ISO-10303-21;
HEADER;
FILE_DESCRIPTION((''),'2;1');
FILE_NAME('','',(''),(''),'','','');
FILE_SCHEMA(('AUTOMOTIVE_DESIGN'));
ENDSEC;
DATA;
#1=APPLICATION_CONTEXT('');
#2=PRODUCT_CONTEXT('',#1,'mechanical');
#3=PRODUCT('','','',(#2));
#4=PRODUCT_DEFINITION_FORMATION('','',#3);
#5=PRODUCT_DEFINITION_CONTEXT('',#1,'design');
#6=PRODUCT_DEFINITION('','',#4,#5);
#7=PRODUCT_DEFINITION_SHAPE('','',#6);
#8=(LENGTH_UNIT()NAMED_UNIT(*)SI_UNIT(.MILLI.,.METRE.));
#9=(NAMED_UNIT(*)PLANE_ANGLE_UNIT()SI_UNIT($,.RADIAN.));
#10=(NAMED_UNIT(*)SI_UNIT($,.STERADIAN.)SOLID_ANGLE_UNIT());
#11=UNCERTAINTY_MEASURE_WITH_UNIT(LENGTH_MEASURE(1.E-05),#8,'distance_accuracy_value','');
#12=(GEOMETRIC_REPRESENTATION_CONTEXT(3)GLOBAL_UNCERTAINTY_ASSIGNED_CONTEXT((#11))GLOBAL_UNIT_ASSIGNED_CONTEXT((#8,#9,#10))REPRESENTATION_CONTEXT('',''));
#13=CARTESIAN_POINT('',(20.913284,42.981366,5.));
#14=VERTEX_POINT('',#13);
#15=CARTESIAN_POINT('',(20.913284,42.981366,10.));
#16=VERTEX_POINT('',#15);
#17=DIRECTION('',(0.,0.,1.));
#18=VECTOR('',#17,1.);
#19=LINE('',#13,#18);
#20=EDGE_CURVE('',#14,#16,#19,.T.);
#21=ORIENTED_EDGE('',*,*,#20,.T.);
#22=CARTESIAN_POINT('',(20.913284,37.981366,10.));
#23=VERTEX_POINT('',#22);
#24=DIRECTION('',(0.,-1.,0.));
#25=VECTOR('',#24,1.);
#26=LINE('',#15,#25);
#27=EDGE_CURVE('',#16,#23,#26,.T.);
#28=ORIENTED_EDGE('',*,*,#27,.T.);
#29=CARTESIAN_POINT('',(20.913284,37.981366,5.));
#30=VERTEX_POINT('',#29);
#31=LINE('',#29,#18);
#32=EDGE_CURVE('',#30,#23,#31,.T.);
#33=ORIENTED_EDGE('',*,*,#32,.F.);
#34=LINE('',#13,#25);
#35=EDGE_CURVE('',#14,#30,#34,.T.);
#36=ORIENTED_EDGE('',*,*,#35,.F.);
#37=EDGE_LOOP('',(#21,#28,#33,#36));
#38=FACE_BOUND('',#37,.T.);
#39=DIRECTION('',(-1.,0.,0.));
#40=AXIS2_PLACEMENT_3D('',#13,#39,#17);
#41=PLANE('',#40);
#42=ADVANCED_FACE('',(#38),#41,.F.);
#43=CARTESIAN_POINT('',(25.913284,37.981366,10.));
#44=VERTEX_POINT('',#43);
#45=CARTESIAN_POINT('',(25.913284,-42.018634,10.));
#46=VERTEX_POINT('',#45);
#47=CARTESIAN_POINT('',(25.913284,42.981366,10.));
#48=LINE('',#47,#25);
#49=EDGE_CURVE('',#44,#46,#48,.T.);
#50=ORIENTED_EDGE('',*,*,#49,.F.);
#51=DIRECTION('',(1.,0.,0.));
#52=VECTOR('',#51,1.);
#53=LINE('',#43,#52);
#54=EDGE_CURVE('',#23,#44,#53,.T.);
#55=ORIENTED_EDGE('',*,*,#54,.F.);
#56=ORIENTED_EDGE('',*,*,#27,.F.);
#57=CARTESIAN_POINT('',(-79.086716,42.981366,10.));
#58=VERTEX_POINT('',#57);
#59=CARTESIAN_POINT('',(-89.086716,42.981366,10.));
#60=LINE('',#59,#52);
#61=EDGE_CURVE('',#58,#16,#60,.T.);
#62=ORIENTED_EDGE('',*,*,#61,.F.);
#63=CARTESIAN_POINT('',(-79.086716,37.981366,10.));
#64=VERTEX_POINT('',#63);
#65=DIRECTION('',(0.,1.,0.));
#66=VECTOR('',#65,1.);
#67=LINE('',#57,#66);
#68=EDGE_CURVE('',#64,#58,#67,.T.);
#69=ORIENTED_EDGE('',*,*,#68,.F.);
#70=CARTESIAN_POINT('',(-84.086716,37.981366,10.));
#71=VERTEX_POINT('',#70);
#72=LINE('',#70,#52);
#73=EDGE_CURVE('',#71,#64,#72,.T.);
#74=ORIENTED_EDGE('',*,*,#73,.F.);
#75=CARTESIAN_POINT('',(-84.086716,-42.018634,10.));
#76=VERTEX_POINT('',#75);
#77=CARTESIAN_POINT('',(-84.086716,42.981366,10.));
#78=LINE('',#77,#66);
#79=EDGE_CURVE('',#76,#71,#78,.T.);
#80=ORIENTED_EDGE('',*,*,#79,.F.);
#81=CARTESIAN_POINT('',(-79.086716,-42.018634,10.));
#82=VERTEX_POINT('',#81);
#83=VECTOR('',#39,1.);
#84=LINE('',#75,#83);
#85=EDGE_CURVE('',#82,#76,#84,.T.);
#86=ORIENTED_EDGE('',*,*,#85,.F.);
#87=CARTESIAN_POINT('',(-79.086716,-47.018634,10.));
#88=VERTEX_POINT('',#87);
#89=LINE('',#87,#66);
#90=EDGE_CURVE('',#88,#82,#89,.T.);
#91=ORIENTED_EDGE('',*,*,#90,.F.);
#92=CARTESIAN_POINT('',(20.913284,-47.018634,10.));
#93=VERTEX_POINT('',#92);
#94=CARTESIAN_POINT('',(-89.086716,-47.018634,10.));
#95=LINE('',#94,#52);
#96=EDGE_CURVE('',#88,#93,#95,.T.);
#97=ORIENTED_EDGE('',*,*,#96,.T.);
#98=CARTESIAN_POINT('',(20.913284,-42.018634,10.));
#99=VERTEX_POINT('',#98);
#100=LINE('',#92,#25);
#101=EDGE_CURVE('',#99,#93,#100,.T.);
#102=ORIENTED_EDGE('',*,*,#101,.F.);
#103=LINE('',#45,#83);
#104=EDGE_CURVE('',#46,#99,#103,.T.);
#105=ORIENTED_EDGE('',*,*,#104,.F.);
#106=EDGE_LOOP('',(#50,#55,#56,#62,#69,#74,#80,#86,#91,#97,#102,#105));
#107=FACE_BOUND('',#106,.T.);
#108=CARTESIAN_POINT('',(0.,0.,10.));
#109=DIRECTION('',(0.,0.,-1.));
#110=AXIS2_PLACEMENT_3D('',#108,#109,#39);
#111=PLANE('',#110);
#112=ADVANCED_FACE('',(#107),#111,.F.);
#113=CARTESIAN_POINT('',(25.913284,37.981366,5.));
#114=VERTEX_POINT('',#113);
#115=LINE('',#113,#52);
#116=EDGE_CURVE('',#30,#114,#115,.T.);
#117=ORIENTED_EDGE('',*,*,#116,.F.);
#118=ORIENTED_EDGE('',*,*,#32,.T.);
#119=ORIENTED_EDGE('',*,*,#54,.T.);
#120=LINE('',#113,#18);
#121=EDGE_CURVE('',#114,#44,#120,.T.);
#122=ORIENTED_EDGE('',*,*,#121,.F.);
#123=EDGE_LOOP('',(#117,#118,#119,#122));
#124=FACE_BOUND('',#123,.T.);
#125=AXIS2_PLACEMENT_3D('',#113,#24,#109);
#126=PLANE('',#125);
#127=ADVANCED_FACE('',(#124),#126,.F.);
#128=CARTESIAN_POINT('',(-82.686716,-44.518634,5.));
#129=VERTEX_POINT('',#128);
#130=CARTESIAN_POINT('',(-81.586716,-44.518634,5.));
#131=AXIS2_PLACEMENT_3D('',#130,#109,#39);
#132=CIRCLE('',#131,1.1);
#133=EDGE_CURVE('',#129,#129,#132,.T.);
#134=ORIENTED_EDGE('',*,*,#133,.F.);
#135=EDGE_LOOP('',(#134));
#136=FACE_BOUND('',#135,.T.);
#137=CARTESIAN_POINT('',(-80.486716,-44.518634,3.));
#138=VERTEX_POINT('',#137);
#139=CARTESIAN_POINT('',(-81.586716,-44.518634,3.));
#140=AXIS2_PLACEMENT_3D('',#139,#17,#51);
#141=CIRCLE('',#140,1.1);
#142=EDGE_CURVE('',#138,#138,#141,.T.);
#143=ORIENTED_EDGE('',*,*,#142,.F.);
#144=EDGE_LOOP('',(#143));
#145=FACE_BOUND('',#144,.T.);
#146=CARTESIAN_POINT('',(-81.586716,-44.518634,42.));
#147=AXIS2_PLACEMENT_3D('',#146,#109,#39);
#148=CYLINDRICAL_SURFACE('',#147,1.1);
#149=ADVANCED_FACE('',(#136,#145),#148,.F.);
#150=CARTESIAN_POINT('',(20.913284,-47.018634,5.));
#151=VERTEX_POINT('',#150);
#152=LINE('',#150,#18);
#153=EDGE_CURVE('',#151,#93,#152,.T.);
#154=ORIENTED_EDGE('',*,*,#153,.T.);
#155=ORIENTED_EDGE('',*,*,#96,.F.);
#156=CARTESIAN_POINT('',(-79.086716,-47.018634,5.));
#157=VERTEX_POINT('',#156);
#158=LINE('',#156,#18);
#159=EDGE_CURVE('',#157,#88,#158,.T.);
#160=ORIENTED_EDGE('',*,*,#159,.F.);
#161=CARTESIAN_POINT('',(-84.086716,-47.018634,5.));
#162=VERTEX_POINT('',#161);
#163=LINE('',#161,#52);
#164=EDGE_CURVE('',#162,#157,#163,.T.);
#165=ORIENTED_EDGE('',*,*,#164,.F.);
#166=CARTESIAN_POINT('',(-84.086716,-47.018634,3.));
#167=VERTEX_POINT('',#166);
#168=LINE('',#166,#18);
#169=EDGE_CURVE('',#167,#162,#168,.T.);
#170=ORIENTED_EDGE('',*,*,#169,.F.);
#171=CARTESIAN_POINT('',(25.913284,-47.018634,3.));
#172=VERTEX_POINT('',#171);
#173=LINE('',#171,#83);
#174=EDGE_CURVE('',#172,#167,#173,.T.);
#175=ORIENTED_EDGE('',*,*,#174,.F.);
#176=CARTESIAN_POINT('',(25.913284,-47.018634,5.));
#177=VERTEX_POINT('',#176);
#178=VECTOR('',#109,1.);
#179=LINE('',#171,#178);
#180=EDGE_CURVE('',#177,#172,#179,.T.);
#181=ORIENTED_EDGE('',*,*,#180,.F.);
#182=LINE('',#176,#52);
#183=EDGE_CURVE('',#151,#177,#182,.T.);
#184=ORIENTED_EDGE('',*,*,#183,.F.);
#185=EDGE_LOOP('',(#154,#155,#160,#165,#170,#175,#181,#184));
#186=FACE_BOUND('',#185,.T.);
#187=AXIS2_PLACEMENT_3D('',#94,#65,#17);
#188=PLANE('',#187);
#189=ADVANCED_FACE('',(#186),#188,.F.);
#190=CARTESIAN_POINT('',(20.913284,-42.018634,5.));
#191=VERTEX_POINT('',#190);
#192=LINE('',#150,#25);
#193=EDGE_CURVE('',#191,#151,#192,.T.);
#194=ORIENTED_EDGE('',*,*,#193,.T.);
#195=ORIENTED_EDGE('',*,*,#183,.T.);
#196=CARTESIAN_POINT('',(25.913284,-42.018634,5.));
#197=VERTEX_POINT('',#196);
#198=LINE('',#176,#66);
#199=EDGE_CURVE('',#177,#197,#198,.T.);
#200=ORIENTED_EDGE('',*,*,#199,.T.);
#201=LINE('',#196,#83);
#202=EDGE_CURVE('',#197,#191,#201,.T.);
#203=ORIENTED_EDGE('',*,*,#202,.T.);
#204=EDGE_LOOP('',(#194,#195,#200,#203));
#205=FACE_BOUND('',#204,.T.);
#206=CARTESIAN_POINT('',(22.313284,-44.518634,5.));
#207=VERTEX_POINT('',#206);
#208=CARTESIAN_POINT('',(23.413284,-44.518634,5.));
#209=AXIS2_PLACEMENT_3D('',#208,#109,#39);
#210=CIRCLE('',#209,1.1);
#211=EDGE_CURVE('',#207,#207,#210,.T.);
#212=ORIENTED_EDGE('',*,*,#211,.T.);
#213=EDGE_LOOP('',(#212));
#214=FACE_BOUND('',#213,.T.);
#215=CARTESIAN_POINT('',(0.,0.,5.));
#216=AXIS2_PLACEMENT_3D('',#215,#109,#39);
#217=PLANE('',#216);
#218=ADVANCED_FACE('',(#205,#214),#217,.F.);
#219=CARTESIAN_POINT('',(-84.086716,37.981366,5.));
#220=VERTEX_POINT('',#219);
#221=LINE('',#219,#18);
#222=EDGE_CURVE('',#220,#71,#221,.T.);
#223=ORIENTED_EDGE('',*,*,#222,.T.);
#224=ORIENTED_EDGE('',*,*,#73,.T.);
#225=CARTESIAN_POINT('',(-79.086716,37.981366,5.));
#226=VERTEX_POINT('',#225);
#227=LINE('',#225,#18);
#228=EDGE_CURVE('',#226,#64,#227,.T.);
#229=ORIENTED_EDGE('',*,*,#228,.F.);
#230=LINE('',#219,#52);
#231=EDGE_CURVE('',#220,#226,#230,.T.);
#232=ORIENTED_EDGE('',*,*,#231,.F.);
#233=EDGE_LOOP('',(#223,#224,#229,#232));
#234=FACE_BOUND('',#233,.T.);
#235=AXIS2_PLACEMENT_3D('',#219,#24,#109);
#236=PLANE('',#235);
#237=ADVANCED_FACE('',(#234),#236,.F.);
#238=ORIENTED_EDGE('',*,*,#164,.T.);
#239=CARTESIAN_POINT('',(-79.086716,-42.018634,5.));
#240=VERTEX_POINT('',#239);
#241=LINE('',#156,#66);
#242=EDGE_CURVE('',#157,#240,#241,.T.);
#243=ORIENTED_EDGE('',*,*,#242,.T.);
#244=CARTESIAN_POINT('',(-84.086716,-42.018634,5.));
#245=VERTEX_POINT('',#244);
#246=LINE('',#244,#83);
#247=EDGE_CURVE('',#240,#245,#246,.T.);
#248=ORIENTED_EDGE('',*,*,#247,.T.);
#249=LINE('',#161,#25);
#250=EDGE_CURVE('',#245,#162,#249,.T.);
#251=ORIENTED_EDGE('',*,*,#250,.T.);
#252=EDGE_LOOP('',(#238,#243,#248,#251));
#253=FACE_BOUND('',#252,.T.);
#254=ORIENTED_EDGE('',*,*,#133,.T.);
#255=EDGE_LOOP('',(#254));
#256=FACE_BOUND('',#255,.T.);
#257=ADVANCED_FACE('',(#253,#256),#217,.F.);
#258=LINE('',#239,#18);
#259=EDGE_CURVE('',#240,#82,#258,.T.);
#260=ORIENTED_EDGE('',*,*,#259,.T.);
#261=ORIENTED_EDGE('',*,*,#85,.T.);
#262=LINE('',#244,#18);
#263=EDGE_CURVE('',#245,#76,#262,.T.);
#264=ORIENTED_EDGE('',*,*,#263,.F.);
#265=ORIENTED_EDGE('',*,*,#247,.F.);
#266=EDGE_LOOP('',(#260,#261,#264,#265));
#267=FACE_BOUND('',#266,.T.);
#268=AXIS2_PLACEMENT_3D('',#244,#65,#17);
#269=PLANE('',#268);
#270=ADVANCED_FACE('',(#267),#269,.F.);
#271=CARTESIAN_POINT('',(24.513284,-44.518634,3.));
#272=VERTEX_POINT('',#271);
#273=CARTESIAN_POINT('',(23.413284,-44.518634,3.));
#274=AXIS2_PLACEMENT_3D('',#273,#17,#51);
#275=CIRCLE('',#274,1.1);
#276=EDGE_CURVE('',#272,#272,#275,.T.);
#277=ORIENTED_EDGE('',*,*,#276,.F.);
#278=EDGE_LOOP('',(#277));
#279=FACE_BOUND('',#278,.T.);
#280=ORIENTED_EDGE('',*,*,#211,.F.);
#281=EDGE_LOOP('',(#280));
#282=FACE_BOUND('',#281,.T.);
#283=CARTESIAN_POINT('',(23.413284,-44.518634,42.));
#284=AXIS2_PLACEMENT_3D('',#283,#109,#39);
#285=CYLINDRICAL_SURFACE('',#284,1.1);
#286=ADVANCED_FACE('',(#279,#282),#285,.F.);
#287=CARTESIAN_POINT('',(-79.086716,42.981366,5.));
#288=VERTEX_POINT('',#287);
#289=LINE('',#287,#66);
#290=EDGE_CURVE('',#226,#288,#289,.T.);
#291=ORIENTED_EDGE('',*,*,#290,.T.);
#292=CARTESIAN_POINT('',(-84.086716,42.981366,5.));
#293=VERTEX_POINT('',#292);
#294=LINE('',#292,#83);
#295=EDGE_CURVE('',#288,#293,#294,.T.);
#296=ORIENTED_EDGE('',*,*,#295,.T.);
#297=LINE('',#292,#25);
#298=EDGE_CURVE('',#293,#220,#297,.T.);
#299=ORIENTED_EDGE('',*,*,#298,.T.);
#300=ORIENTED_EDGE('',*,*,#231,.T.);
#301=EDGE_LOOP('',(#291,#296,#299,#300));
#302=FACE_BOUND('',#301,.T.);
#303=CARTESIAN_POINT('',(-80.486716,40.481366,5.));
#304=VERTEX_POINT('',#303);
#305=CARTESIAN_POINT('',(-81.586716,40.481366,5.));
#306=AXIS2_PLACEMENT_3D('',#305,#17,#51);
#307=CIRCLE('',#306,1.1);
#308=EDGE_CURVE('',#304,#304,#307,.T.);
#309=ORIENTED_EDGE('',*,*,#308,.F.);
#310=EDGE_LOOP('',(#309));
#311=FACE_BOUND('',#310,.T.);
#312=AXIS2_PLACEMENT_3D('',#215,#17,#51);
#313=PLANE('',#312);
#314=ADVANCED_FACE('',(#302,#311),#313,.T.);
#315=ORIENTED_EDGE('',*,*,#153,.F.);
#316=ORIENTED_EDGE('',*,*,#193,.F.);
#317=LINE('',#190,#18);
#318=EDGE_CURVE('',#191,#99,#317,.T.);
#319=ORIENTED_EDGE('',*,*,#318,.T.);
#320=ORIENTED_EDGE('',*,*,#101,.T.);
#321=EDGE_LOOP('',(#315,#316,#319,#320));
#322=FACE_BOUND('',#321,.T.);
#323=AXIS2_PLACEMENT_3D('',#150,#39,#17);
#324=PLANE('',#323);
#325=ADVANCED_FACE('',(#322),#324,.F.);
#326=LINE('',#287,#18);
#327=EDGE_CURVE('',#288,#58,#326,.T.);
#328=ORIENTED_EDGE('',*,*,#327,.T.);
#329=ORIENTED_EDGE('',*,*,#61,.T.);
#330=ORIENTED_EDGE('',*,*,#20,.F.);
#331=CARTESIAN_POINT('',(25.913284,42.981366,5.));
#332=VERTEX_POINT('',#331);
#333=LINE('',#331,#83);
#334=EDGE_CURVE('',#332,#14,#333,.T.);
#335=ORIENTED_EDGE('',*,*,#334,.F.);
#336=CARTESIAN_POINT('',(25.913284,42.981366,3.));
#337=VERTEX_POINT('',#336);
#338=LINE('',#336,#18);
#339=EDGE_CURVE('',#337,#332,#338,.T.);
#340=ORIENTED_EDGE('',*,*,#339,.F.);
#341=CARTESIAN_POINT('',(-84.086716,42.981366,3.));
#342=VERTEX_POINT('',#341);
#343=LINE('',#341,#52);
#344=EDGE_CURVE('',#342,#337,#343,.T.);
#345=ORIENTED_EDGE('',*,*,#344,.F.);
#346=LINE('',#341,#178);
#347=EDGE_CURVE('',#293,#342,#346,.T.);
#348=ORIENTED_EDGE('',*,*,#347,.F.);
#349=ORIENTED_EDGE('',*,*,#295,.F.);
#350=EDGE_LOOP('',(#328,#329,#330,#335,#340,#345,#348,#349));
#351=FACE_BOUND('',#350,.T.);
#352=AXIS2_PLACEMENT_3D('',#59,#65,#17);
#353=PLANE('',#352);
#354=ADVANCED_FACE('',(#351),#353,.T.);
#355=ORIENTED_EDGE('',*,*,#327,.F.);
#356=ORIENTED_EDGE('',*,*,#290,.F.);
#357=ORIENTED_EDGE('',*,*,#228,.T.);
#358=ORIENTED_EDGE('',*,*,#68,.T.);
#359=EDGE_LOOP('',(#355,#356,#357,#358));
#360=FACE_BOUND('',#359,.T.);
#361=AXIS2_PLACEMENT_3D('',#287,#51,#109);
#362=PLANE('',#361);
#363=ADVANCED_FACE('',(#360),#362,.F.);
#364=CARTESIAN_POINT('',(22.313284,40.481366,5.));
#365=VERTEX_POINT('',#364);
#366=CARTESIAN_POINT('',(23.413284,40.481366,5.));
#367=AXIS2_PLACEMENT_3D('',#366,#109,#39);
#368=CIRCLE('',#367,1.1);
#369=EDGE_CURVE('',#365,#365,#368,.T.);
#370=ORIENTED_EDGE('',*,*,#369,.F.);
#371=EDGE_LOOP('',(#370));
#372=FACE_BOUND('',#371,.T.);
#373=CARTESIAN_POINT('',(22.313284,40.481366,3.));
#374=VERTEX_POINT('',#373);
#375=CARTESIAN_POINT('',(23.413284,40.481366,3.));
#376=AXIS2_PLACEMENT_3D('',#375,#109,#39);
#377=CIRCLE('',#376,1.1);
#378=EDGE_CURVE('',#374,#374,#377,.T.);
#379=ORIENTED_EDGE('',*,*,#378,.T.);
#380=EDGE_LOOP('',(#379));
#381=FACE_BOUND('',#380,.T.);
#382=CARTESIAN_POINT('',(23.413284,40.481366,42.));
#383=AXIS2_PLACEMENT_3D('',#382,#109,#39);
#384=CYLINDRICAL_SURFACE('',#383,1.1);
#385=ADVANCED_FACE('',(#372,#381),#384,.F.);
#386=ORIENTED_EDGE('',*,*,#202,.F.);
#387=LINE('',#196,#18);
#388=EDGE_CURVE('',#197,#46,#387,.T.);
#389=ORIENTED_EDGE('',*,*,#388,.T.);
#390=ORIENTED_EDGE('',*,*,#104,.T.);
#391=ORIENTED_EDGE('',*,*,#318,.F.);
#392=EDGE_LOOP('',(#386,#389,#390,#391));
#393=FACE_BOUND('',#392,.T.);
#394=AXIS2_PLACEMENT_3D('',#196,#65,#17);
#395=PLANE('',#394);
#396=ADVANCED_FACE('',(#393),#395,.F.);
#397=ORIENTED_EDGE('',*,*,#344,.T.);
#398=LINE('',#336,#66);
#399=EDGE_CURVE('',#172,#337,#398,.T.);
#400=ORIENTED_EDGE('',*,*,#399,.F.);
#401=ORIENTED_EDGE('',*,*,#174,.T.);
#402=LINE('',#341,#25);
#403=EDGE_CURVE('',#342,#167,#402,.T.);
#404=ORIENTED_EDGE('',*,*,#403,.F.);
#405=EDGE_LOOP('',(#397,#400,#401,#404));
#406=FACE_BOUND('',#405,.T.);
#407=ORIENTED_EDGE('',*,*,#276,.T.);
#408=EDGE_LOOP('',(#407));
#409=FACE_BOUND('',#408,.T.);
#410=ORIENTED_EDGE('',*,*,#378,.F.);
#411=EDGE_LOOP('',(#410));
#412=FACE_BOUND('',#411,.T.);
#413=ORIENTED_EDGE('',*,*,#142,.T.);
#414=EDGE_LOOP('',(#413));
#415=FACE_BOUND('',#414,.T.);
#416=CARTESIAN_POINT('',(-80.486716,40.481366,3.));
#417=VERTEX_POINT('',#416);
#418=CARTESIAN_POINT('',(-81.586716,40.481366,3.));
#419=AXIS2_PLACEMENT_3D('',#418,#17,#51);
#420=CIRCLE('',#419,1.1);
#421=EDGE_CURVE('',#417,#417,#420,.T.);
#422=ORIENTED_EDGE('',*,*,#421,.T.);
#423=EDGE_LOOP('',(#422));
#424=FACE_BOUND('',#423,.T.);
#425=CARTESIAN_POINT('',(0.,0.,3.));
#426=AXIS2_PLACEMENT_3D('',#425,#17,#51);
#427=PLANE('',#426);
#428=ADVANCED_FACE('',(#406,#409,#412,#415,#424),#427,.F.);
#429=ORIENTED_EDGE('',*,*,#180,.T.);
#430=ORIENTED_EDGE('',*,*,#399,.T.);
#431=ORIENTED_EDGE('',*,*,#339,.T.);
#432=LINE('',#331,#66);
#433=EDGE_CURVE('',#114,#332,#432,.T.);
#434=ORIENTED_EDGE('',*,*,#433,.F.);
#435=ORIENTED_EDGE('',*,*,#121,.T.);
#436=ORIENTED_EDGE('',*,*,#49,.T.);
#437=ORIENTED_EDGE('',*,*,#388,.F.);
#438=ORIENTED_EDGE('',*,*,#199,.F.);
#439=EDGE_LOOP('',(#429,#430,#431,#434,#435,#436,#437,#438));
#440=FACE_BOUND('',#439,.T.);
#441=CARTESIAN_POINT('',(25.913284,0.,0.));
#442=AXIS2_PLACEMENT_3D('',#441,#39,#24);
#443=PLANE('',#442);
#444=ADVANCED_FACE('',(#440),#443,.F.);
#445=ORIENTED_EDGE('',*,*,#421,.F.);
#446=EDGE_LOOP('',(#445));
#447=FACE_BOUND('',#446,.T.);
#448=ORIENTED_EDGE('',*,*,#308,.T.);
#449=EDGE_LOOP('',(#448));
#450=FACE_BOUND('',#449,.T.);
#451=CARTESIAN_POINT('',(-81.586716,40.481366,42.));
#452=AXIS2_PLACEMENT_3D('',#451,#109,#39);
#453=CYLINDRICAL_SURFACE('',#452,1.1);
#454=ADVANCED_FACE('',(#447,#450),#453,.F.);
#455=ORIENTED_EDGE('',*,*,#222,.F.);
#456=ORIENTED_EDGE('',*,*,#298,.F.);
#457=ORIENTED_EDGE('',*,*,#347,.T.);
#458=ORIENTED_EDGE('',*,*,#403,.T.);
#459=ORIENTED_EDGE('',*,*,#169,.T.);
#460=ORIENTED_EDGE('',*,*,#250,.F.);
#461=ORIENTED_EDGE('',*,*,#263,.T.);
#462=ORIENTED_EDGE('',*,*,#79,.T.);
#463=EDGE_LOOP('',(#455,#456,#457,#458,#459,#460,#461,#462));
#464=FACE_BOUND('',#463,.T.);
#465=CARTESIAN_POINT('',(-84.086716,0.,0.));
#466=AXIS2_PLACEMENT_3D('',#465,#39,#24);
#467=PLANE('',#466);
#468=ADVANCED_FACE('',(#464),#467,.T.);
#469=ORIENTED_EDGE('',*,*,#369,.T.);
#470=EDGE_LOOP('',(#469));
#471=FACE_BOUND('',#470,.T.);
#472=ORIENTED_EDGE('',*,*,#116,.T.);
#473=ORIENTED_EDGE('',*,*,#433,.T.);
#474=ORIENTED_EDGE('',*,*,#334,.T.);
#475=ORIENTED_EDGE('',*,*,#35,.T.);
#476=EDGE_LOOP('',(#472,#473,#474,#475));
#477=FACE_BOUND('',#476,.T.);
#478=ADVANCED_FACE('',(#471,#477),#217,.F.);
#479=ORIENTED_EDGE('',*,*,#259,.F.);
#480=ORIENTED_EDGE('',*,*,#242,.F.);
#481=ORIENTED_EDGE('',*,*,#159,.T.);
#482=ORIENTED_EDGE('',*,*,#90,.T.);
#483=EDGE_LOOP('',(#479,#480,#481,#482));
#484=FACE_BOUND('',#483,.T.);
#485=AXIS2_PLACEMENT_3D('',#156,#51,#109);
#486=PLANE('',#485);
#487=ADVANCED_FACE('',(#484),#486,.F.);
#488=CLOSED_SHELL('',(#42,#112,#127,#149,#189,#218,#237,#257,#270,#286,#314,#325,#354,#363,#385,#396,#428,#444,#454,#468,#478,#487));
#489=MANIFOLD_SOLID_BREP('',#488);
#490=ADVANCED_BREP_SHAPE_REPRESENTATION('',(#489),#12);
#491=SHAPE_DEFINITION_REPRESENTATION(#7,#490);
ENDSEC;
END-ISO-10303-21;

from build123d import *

# Parameters (mm, degrees)
SKETCH_1_W          = 120
SKETCH_1_H          = 90
EXTRUDE_1_DEPTH     = 10
SKETCH_6_W          = 5
SKETCH_6_H          = 5
CUT_EXTRUDE_4_DEPTH = 5
SKETCH_7_W          = 5
SKETCH_7_H          = 5
CUT_EXTRUDE_5_DEPTH = 3
SKETCH_8_R          = 1.1
CUT_EXTRUDE_6_DEPTH = 42
SKETCH_10_W         = 120
SKETCH_10_H         = 90
CUT_EXTRUDE_7_DEPTH = 3
SKETCH_11_W         = 7
SKETCH_11_H         = 90
CUT_EXTRUDE_8_DEPTH = 5
SKETCH_12_W         = 7
SKETCH_12_H         = 90
CUT_EXTRUDE_9_DEPTH = 5


with BuildPart() as part:
    # 草圖1 → 填料-伸長1 (new body)
    with BuildSketch(Plane.XY):
        with Locations((-29.08671555, -2.01863354)):
            Rectangle(SKETCH_1_W, SKETCH_1_H)
    extrude(amount=EXTRUDE_1_DEPTH)

    # 草圖6 → 除料-伸長4 (cut)
    with BuildSketch(Plane.XY.offset(10)):
        with Locations((23.41328445, 40.48136646)):
            Rectangle(SKETCH_6_W, SKETCH_6_H)
        with Locations((-81.58671555, 40.48136646)):
            Rectangle(SKETCH_6_W, SKETCH_6_H)
        with Locations((-81.58671555, -44.51863354)):
            Rectangle(SKETCH_6_W, SKETCH_6_H)
        with Locations((23.41328445, -44.51863354)):
            Rectangle(SKETCH_6_W, SKETCH_6_H)
    extrude(amount=-CUT_EXTRUDE_4_DEPTH, mode=Mode.SUBTRACT)

    # 草圖7 → 除料-伸長5 (cut)
    with BuildSketch(Plane(origin=(0, 0, 0), x_dir=(-1, 0, 0), z_dir=(0, 0, -1))):
        with Locations((81.58671555, 40.48136646)):
            Rectangle(SKETCH_7_W, SKETCH_7_H)
        with Locations((-23.41328445, 40.48136646)):
            Rectangle(SKETCH_7_W, SKETCH_7_H)
        with Locations((81.58671555, -44.51863354)):
            Rectangle(SKETCH_7_W, SKETCH_7_H)
        with Locations((-23.41328445, -44.51863354)):
            Rectangle(SKETCH_7_W, SKETCH_7_H)
    extrude(amount=-CUT_EXTRUDE_5_DEPTH, mode=Mode.SUBTRACT)

    # 草圖8 → 除料-伸長6 (cut)
    with BuildSketch(Plane(origin=(0, 0, 0), x_dir=(-1, 0, 0), z_dir=(0, 0, -1))):
        with Locations((-23.41328445, 40.48136646)):
            Circle(SKETCH_8_R)
        with Locations((81.58671555, 40.48136646)):
            Circle(SKETCH_8_R)
        with Locations((81.58671555, -44.51863354)):
            Circle(SKETCH_8_R)
        with Locations((-23.41328445, -44.51863354)):
            Circle(SKETCH_8_R)
    extrude(amount=-CUT_EXTRUDE_6_DEPTH, mode=Mode.SUBTRACT)

    # 草圖10 → 除料-伸長7 (cut)
    with BuildSketch(Plane.XY):
        with Locations((-29.08671555, -2.01863354)):
            Rectangle(SKETCH_10_W, SKETCH_10_H)
    extrude(amount=CUT_EXTRUDE_7_DEPTH, mode=Mode.SUBTRACT)

    # 草圖11 → 除料-伸長8 (cut)
    with BuildSketch(Plane(origin=(30.91328445, 0, 0), x_dir=(0, 0, -1), z_dir=(1, 0, 0))):
        with Locations((-6.5, -2.01863354)):
            Rectangle(SKETCH_11_W, SKETCH_11_H)
    extrude(amount=-CUT_EXTRUDE_8_DEPTH, mode=Mode.SUBTRACT)

    # 草圖12 → 除料-伸長9 (cut)
    with BuildSketch(Plane.ZY.offset(89.08671555)):
        with Locations((6.5, -2.01863354)):
            Rectangle(SKETCH_12_W, SKETCH_12_H)
    extrude(amount=-CUT_EXTRUDE_9_DEPTH, mode=Mode.SUBTRACT)


solid = part.part
